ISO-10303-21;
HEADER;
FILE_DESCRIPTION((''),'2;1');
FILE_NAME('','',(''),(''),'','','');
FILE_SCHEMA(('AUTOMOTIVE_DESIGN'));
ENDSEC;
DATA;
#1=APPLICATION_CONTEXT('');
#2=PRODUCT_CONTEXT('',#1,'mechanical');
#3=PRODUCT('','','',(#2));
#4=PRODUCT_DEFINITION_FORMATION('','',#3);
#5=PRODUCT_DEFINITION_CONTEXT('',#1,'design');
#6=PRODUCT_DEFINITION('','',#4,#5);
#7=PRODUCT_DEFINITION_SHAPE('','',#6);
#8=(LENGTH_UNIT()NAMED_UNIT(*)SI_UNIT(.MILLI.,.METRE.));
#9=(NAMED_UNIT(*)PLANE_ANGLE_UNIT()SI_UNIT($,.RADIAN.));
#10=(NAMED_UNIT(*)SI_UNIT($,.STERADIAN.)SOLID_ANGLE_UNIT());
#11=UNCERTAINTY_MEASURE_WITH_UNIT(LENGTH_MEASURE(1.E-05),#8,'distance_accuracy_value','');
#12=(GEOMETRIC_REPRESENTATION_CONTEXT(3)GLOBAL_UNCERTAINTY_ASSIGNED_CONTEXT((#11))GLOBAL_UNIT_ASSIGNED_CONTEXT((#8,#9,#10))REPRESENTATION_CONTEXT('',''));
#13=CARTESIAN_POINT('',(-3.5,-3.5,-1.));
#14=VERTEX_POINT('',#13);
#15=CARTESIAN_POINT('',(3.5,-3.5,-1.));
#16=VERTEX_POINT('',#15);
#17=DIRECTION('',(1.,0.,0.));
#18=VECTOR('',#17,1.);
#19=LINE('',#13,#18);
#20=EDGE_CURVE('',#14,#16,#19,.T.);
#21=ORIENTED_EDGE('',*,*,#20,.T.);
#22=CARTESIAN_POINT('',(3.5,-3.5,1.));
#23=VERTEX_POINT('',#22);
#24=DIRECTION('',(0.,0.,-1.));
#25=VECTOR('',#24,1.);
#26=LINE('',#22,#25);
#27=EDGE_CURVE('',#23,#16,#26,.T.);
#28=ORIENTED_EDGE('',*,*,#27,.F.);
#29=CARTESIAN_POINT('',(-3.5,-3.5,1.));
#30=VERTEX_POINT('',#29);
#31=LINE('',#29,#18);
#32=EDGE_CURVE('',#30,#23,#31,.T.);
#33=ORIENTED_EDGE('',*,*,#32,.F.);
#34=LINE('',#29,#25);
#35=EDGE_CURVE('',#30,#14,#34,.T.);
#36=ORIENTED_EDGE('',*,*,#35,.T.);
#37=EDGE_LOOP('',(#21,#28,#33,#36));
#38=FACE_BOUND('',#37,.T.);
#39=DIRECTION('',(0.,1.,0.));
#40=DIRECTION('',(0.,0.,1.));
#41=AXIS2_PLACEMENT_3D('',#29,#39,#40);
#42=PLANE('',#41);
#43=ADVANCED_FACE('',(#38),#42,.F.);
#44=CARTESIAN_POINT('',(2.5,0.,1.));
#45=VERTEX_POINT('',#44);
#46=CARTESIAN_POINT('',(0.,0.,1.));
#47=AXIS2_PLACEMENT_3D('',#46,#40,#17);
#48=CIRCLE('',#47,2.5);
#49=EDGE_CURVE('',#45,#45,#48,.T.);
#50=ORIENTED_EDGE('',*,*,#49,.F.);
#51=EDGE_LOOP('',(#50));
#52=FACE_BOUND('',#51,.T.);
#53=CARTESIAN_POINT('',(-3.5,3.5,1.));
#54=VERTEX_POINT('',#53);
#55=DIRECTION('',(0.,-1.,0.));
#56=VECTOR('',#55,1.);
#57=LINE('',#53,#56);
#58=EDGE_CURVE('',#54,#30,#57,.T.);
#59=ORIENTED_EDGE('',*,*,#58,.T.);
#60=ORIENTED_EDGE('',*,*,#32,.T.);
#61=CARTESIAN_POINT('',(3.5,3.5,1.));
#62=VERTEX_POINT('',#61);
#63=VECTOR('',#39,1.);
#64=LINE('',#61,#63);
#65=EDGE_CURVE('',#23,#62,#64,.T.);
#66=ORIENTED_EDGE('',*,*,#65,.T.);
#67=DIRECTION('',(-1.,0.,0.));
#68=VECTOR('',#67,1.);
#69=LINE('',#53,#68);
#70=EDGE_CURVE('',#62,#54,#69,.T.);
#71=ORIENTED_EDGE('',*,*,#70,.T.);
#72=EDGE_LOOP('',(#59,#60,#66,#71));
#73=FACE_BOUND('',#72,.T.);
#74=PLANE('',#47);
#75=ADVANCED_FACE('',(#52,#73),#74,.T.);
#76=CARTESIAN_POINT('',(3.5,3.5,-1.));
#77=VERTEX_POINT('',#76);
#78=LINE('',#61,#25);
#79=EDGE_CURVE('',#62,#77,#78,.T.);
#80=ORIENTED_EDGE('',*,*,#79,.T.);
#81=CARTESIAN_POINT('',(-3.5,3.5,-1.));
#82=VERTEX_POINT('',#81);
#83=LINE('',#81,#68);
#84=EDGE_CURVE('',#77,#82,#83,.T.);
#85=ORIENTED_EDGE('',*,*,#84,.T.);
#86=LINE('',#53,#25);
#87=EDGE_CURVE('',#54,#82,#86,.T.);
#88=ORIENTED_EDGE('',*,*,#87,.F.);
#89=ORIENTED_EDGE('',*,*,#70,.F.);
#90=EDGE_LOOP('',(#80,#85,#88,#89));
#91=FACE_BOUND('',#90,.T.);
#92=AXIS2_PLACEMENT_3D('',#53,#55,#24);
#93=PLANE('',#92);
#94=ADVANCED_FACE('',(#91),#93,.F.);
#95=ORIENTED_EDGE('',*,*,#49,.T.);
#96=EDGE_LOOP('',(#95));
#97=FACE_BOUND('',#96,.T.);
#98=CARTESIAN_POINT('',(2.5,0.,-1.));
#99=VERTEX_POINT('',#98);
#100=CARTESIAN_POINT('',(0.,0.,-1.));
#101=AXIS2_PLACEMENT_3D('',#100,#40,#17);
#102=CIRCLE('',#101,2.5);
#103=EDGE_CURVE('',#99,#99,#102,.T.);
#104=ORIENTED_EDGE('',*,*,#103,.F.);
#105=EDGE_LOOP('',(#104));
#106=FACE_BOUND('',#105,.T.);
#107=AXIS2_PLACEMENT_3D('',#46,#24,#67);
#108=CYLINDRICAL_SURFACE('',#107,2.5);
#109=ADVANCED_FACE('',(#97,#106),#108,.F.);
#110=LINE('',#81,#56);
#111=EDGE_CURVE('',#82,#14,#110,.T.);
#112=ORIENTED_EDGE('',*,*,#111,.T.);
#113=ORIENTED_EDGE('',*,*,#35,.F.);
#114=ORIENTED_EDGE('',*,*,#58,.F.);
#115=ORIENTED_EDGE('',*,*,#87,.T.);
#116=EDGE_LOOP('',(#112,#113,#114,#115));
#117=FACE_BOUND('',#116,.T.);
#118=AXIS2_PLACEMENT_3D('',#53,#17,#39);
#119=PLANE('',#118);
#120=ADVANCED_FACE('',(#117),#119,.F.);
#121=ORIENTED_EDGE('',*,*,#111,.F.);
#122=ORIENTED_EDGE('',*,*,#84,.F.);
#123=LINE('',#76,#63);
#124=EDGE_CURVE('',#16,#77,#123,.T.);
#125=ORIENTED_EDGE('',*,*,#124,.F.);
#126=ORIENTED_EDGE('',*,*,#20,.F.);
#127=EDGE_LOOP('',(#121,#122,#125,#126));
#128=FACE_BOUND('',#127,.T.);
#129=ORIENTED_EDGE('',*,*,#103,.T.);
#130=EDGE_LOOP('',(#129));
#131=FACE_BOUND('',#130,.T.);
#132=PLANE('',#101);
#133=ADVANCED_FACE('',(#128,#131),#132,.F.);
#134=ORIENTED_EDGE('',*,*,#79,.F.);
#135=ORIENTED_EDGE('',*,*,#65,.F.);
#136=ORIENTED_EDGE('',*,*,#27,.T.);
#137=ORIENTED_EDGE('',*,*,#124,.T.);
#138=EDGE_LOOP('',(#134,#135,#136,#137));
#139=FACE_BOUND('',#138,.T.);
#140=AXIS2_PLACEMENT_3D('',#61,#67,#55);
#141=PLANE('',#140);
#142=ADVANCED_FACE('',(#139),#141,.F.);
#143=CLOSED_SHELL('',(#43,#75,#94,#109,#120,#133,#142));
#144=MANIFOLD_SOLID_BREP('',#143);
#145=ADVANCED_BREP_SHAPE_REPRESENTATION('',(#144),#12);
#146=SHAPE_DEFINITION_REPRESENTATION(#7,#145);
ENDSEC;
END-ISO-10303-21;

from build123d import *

# Parameters (mm, degrees)
SKETCH1_W           = 7
SKETCH1_H           = 7
SKETCH1_R           = 2.5
BOSS_EXTRUDE1_DEPTH = 1


with BuildPart() as part:
    # Sketch1 → Boss-Extrude1 (new body, symmetric)
    with BuildSketch(Plane.XY):
        Rectangle(SKETCH1_W, SKETCH1_H)
        Circle(SKETCH1_R, mode=Mode.SUBTRACT)
    extrude(amount=BOSS_EXTRUDE1_DEPTH, both=True)


solid = part.part
